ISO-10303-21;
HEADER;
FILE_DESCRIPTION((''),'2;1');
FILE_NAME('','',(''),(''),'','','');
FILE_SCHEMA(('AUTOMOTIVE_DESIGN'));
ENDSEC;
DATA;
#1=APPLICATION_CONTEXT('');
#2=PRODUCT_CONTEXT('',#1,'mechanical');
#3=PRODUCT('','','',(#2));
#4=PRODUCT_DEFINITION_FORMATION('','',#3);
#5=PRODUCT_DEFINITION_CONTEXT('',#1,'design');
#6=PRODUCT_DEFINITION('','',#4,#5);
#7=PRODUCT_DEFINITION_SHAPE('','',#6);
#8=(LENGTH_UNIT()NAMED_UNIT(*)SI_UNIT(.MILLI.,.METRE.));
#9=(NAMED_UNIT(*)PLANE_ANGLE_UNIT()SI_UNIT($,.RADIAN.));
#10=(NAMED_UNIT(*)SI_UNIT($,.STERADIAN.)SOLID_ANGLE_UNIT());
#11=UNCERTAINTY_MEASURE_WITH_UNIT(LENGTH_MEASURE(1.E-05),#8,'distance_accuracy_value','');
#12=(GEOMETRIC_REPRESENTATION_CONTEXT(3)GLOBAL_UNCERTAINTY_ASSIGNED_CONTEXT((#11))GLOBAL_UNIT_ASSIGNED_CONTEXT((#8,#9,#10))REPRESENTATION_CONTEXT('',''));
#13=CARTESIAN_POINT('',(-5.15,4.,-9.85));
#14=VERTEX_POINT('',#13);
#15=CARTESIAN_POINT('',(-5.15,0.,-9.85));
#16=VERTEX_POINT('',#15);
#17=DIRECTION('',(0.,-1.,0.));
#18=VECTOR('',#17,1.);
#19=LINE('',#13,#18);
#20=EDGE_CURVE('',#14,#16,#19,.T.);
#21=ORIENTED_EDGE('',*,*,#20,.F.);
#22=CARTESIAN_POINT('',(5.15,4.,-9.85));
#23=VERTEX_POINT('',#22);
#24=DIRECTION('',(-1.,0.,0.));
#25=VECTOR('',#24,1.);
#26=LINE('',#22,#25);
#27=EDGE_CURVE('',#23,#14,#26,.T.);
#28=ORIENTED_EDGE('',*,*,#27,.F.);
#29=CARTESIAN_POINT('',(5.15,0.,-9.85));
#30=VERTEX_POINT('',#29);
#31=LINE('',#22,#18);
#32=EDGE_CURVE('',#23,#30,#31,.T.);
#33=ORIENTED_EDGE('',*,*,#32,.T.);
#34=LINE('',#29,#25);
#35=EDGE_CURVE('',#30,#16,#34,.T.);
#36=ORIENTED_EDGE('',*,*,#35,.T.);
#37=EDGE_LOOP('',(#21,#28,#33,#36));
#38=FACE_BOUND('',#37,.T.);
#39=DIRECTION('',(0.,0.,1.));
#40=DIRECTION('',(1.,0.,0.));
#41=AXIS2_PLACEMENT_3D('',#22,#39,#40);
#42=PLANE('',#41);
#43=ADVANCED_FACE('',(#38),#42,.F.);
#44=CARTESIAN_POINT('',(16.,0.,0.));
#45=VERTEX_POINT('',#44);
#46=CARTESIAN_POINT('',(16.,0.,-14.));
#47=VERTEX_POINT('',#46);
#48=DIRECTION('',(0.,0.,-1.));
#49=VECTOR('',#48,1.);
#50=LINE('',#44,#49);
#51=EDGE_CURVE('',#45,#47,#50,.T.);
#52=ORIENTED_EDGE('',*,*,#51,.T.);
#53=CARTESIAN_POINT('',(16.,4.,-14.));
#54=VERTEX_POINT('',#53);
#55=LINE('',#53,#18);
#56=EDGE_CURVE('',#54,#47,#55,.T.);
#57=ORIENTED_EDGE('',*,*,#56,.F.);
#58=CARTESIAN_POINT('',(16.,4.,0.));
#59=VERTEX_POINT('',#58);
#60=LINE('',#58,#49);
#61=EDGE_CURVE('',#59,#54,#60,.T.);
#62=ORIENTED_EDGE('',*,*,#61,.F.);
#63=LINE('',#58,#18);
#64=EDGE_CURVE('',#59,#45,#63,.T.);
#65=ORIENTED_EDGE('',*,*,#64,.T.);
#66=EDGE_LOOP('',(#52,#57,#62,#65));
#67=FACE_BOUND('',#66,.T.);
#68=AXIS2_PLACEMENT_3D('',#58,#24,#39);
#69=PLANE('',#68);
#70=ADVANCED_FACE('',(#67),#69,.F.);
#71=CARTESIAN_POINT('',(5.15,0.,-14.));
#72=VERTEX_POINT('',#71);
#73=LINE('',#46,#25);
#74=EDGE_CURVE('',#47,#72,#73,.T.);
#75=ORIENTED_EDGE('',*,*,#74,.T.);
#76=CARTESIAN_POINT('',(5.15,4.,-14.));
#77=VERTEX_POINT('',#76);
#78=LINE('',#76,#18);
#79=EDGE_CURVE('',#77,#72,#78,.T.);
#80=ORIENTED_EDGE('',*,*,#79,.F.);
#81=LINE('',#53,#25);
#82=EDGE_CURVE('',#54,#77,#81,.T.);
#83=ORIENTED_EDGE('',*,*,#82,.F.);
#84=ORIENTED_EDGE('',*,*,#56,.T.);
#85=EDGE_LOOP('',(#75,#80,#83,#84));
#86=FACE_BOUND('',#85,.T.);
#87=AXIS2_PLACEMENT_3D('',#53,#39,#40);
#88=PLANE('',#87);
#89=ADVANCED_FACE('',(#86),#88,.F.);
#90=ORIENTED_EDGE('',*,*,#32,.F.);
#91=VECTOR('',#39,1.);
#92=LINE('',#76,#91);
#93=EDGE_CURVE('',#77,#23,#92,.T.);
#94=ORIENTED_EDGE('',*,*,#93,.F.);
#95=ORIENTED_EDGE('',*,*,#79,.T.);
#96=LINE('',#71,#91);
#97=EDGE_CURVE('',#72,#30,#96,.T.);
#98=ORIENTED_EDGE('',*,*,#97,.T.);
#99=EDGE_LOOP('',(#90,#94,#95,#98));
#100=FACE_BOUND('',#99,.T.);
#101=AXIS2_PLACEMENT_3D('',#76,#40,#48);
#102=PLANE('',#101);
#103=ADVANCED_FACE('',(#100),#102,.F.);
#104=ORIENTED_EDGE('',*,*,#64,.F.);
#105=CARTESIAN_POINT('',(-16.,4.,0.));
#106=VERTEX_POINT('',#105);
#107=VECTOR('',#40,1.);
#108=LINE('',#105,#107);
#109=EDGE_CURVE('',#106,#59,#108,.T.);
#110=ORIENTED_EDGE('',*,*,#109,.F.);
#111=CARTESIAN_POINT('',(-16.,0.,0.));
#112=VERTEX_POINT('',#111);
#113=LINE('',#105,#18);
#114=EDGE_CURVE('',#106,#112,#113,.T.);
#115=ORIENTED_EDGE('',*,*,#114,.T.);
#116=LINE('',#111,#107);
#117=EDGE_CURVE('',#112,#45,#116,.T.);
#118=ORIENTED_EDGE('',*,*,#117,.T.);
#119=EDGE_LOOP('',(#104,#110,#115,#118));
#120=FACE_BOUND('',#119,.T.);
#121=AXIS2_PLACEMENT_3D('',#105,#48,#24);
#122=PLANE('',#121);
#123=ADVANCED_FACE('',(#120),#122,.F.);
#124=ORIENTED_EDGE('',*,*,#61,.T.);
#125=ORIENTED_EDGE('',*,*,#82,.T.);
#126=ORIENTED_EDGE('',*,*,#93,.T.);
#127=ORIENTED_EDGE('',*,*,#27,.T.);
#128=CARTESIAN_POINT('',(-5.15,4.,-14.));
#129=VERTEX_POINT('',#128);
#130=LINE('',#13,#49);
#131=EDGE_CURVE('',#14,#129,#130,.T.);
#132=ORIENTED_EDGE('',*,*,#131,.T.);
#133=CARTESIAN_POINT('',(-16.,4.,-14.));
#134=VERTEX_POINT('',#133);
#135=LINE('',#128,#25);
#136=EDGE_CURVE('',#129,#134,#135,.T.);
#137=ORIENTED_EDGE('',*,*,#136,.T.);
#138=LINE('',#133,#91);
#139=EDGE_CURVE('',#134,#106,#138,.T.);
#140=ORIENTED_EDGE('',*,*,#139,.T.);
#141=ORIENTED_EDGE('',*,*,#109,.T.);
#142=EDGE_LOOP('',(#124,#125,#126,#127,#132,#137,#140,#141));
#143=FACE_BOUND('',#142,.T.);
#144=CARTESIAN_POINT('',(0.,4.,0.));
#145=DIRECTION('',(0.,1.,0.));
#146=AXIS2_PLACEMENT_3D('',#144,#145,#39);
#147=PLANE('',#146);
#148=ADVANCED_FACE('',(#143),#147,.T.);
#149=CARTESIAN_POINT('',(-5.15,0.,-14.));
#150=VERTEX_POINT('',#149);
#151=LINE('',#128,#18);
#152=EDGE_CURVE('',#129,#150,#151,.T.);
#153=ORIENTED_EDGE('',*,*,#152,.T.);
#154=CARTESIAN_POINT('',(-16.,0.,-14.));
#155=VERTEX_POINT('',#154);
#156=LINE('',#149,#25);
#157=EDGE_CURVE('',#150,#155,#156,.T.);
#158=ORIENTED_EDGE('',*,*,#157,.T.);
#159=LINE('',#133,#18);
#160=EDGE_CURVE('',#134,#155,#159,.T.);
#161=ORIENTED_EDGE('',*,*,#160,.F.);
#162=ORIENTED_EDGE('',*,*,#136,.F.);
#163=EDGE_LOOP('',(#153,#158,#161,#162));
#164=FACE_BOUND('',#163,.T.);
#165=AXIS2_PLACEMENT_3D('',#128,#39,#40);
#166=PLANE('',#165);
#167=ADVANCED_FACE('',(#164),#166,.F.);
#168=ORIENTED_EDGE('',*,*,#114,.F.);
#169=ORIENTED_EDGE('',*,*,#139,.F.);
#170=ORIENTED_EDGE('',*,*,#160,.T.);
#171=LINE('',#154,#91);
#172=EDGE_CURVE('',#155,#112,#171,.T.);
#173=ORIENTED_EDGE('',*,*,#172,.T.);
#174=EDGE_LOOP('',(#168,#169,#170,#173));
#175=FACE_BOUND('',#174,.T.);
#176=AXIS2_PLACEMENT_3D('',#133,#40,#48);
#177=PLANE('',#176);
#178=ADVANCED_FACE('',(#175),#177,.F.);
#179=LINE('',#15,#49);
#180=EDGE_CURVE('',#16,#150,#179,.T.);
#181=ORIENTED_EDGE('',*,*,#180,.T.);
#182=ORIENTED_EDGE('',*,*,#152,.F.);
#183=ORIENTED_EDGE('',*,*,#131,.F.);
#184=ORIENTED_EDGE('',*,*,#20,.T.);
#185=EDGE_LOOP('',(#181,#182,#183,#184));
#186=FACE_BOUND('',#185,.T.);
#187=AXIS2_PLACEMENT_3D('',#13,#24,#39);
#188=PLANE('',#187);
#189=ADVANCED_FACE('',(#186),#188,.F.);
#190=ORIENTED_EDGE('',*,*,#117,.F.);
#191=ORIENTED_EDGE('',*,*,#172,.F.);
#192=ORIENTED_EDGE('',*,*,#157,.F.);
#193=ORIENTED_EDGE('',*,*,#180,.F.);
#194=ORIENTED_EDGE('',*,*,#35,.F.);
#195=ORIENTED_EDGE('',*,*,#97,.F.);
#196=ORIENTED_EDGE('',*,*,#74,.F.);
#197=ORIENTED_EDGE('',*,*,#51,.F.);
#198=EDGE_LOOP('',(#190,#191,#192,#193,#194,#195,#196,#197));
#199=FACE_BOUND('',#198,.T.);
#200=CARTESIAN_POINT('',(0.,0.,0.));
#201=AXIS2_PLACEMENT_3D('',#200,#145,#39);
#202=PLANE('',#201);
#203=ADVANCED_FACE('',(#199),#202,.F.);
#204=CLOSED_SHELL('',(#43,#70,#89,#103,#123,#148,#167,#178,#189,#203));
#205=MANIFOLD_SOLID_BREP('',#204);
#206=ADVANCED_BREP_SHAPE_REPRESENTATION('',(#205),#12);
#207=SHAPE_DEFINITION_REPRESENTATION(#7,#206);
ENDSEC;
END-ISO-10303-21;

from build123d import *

# Parameters (mm, degrees)
BOSS_EXTRU_1_DEPTH = 4


with BuildPart() as part:
    # Esquisse1 → Boss.-Extru.1 (new body)
    with BuildSketch(Plane(origin=(0, 0, 0), x_dir=(1, 0, 0), z_dir=(0, 1, 0))):
        Polygon((-16, 0), (16, 0), (16, 14), (5.15, 14), (5.15, 9.85), (-5.15, 9.85), (-5.15, 14), (-16, 14), align=None)
    extrude(amount=BOSS_EXTRU_1_DEPTH)


solid = part.part
